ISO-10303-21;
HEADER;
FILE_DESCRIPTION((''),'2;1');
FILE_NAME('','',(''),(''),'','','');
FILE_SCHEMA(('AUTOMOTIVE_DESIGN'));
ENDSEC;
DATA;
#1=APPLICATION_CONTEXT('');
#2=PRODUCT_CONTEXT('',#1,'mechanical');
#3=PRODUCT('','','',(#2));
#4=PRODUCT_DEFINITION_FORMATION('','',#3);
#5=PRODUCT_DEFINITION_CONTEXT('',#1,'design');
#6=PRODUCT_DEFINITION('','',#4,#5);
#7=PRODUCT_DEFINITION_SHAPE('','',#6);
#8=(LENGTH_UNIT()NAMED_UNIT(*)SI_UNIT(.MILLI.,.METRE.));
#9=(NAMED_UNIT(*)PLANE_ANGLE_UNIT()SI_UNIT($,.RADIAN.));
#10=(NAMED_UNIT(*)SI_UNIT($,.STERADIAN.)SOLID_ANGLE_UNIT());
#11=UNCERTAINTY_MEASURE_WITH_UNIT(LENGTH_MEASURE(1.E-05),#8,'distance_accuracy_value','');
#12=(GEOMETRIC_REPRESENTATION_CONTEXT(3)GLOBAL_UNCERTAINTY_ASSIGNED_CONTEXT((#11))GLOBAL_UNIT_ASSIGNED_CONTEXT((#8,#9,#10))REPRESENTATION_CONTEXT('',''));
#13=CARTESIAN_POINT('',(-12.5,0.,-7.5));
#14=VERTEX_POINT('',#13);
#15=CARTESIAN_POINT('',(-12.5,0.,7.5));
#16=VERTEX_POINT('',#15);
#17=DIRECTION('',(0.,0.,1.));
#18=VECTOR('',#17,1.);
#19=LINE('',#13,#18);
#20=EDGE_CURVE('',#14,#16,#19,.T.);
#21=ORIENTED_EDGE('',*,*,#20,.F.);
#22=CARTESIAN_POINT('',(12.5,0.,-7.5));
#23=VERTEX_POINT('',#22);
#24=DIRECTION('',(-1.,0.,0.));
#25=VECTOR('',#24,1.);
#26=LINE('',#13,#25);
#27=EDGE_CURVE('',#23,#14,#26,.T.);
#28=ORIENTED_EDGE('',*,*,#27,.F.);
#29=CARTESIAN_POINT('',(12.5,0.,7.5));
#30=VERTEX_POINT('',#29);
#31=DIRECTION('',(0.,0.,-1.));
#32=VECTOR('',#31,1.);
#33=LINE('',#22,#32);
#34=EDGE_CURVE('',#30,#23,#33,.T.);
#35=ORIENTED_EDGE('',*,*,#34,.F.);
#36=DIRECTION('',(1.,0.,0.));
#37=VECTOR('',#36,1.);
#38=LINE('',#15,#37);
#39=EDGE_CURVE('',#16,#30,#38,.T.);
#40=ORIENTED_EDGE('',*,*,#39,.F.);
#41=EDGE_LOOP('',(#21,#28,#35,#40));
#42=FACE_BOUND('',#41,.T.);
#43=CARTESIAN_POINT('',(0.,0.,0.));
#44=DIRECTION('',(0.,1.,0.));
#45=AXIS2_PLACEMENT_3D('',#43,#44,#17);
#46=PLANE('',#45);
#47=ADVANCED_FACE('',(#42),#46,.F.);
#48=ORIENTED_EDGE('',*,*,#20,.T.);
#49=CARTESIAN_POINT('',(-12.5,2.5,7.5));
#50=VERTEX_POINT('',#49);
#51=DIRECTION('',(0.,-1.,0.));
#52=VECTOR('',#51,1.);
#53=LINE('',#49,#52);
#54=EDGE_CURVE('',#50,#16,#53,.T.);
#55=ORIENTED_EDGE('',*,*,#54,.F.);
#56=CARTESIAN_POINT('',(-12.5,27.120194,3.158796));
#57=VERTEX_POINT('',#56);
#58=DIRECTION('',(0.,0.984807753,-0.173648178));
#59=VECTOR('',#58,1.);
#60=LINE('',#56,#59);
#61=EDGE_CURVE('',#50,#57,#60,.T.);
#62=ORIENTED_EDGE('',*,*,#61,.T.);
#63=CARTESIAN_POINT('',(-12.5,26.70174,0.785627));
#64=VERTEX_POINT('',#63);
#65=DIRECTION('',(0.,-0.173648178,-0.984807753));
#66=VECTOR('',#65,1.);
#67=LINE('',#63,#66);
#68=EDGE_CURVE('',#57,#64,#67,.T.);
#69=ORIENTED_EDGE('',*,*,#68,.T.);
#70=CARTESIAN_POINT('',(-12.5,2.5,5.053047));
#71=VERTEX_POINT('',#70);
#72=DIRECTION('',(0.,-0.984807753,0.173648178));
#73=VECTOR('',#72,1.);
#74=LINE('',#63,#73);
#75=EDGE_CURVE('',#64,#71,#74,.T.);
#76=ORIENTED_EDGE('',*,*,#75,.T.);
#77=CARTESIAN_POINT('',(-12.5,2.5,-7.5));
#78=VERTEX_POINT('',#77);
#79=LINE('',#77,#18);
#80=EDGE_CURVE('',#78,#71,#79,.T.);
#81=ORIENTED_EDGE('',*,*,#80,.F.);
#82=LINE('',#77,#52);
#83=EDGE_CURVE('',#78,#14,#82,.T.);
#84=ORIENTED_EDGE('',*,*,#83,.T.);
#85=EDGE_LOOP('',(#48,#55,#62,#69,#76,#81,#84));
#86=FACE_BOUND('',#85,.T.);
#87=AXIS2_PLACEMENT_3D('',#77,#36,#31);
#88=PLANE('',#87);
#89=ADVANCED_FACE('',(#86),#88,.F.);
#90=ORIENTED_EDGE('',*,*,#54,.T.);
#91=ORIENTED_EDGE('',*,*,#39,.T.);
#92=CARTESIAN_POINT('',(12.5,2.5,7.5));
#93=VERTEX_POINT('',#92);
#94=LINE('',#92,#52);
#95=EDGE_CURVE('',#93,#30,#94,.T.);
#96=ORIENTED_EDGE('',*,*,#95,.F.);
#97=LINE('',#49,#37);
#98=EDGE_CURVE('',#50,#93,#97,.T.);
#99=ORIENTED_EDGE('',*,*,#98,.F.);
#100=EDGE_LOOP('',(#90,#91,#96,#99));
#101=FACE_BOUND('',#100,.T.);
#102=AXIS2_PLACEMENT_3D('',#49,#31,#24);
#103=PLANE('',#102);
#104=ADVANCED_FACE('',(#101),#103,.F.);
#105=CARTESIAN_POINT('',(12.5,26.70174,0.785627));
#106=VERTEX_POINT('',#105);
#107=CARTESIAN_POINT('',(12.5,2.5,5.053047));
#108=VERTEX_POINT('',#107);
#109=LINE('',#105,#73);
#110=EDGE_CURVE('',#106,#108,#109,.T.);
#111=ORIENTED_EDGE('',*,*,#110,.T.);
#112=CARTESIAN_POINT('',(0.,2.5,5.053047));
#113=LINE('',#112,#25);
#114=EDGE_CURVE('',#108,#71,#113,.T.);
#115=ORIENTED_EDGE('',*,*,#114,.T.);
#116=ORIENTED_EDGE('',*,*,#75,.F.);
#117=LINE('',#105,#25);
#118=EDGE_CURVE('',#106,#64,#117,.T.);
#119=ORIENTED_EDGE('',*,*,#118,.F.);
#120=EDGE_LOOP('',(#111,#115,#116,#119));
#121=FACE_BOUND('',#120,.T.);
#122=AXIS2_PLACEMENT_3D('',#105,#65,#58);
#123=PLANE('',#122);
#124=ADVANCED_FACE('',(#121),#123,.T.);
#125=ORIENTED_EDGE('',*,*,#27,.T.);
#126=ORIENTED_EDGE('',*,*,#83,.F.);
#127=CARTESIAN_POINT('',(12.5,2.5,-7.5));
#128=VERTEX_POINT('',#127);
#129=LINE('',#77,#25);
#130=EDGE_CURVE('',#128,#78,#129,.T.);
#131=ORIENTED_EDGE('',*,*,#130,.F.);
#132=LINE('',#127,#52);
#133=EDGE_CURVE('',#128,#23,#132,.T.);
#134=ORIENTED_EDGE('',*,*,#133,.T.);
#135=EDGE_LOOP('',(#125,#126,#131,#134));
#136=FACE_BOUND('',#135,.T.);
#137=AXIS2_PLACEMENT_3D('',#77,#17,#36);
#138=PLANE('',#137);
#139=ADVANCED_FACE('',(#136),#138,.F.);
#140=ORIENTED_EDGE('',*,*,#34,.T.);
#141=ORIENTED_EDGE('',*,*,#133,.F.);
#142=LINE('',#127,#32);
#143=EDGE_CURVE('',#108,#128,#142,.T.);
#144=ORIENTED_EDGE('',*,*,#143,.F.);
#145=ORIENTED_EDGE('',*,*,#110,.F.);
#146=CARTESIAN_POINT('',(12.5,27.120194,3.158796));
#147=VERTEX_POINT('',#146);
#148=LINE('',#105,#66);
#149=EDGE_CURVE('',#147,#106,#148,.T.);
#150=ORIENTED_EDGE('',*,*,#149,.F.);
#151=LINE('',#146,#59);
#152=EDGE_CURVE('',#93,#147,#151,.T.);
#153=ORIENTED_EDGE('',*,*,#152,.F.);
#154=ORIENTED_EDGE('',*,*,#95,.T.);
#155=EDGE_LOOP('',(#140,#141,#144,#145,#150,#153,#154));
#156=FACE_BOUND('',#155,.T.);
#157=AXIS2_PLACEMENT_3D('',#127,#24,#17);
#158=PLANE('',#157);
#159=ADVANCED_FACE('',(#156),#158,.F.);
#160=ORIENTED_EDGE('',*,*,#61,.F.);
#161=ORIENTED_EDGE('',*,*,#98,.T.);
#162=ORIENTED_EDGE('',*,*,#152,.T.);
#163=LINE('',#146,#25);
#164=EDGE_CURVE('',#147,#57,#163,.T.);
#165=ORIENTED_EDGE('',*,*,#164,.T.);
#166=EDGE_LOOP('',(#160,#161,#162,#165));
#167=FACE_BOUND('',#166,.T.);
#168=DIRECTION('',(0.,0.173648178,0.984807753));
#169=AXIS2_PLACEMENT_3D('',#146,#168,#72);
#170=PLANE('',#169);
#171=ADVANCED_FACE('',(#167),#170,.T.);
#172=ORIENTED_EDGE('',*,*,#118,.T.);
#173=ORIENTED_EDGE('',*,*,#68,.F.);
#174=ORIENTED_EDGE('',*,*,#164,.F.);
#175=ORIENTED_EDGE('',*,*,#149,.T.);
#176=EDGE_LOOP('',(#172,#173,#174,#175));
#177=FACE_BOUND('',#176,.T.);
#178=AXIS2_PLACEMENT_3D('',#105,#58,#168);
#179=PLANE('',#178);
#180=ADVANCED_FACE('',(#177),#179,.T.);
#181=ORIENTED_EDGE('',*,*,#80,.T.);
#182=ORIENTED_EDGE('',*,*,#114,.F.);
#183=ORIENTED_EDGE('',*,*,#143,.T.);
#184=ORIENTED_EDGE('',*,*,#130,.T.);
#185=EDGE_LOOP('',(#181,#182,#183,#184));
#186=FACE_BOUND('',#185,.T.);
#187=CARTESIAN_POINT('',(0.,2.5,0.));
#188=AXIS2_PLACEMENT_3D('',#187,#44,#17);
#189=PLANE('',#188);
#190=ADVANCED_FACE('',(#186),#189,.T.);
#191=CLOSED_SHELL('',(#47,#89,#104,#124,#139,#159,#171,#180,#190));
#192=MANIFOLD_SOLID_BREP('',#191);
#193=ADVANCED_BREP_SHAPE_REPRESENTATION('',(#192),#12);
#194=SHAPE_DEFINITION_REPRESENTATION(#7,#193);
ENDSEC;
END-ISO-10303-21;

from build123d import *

# Parameters (mm, degrees)
SKETCH1_W           = 25
SKETCH1_H           = 15
BOSS_EXTRUDE1_DEPTH = 2.5
BOSS_EXTRUDE2_DEPTH = 25


with BuildPart() as part:
    # Sketch1 → Boss-Extrude1 (new body)
    with BuildSketch(Plane(origin=(0, 0, 0), x_dir=(1, 0, 0), z_dir=(0, 1, 0))):
        Rectangle(SKETCH1_W, SKETCH1_H)
    extrude(amount=BOSS_EXTRUDE1_DEPTH)

    # Sketch2 → Boss-Extrude2 (add, through all)
    with BuildSketch(Plane.ZY.offset(12.5)):
        Polygon((0.785626796, 26.701740143), (3.158795558, 27.120193825), (7.5, 2.5), (5.126831238, 2.081546317), align=None)
    extrude(amount=-BOSS_EXTRUDE2_DEPTH)


solid = part.part
